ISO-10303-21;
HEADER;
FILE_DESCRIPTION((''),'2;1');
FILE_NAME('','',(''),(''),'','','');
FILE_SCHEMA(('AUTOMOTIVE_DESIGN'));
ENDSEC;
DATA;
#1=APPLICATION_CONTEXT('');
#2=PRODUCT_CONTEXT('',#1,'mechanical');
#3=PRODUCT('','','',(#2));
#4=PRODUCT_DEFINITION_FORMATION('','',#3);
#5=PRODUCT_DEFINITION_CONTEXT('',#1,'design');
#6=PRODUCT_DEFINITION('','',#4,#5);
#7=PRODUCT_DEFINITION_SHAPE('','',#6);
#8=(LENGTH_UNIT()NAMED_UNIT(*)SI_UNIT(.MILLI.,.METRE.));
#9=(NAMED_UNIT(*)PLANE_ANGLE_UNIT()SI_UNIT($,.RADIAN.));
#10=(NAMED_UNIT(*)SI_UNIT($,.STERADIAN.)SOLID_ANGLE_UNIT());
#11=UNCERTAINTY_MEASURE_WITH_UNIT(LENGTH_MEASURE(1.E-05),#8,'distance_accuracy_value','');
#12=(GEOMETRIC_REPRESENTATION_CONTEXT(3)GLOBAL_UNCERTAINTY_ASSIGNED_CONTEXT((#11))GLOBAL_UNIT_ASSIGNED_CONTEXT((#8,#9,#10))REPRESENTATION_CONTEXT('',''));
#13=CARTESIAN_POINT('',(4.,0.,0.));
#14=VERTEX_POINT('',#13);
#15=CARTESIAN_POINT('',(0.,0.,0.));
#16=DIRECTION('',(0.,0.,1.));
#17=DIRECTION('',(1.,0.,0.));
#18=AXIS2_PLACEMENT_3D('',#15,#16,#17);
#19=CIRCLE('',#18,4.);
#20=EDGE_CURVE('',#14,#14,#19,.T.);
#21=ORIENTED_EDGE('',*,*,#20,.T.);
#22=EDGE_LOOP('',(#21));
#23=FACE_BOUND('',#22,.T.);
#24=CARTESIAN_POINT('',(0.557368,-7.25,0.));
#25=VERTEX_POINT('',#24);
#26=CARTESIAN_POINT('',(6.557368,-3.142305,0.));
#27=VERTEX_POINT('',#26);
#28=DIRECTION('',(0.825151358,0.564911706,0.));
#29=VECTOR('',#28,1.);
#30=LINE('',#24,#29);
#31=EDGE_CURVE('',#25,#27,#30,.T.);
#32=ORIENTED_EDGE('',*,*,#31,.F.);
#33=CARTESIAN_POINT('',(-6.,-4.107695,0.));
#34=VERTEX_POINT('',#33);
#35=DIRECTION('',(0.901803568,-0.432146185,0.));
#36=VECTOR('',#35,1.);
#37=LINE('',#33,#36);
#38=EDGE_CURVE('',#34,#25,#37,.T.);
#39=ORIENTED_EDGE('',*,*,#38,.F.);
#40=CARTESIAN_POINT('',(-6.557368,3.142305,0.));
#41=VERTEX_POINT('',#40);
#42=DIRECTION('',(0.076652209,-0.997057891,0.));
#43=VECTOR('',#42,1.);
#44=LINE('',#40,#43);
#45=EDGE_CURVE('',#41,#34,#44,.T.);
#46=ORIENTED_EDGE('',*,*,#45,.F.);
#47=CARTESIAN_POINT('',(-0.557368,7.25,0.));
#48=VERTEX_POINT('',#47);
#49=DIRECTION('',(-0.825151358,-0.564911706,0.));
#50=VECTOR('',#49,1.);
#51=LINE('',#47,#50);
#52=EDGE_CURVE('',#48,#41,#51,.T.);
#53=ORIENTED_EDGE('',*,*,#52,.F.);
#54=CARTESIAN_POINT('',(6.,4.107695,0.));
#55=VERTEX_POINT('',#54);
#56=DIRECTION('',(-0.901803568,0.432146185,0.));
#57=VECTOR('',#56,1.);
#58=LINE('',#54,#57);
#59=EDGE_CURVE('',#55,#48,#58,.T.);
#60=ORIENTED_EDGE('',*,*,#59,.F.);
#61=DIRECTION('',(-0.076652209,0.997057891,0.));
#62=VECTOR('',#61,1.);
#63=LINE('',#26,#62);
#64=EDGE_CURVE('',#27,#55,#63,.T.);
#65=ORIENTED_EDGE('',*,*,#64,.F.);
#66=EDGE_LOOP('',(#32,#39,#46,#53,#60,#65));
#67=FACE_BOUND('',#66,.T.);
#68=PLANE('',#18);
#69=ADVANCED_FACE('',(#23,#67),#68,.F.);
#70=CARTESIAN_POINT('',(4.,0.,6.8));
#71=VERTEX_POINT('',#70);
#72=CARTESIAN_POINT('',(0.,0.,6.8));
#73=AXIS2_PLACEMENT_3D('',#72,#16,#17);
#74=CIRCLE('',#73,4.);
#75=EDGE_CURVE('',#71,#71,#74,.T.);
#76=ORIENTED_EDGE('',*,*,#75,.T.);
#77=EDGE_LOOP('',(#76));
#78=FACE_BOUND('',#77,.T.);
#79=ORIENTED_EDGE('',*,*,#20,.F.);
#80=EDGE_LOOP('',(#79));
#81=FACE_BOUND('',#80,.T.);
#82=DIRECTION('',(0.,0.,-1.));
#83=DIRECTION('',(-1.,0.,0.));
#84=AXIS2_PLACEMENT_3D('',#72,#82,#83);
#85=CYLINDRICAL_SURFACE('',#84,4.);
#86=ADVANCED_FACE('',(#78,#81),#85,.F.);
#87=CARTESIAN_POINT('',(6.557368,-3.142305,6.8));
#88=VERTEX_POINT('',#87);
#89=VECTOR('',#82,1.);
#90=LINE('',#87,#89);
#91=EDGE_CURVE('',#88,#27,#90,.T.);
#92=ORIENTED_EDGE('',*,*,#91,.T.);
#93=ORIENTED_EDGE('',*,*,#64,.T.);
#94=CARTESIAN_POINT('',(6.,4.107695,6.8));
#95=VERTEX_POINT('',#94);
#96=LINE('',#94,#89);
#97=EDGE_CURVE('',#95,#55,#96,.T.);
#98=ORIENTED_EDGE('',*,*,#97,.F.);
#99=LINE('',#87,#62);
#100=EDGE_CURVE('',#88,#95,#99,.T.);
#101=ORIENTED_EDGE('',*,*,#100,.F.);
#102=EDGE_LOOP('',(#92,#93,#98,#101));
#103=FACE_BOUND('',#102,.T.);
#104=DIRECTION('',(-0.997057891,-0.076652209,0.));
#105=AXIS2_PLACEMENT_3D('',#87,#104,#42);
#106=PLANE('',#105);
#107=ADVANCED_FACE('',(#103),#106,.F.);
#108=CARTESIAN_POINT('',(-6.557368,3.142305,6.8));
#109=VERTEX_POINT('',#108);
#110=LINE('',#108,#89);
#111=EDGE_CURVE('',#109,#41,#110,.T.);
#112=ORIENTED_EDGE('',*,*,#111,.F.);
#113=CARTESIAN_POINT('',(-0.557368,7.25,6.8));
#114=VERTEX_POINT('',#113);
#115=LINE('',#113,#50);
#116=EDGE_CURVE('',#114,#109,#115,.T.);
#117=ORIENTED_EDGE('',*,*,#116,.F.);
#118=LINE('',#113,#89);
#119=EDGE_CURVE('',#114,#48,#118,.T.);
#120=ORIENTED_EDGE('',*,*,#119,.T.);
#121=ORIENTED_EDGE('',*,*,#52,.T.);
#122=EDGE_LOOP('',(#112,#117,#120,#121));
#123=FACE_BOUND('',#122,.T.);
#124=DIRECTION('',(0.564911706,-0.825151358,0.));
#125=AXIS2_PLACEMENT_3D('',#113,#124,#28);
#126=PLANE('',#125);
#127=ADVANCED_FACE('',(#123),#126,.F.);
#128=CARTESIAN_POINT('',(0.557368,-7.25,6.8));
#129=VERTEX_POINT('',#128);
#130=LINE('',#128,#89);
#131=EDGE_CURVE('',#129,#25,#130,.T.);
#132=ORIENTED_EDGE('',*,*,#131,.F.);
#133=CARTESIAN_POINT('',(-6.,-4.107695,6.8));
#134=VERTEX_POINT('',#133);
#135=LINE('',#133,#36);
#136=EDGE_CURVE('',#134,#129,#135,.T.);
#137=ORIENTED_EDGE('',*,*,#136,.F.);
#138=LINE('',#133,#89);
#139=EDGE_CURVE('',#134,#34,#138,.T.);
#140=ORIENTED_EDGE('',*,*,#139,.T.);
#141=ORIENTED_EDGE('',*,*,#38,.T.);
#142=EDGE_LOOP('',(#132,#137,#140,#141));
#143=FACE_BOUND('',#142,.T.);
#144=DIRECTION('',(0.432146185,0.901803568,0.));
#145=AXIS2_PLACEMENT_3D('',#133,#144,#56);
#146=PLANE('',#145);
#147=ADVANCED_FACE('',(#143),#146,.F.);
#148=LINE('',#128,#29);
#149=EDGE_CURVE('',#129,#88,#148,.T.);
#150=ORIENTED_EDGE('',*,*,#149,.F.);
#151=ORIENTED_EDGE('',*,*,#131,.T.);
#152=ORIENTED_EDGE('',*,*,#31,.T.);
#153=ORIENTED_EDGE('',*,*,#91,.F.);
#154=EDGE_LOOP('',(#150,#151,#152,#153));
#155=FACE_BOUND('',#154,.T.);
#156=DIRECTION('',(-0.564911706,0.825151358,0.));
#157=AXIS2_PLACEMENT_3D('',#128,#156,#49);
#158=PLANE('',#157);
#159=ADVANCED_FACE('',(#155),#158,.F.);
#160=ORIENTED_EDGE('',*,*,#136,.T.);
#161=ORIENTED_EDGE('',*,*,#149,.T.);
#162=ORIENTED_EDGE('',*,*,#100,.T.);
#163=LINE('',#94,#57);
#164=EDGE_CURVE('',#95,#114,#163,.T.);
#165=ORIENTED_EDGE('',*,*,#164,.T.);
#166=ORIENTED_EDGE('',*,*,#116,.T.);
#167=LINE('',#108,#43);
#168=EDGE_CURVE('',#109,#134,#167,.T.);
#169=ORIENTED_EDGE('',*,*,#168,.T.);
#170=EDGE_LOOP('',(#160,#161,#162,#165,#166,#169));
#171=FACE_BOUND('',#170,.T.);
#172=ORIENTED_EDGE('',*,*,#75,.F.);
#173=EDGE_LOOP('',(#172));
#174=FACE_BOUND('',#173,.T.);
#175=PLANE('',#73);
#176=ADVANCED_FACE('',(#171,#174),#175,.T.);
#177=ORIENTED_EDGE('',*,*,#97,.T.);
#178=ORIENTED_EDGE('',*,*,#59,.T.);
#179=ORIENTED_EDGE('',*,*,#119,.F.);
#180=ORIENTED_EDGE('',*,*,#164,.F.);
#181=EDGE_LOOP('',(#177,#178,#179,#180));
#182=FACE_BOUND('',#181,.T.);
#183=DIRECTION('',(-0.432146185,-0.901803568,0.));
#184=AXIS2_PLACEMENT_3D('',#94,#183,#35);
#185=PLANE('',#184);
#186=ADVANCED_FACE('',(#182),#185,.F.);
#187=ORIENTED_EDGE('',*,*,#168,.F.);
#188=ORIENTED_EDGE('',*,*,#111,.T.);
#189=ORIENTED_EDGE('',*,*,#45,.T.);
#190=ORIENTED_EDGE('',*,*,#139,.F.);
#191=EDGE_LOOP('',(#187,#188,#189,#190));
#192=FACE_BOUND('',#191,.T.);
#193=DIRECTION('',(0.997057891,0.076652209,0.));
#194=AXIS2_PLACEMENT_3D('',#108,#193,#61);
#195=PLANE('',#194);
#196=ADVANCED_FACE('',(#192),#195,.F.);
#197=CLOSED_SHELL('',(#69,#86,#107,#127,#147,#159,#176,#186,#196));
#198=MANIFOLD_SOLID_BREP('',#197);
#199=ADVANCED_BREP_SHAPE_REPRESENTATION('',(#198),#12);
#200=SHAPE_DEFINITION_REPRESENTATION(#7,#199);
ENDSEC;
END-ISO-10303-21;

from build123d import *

# Parameters (mm, degrees)
SKETCH1_R           = 4
BOSS_EXTRUDE1_DEPTH = 6.8


with BuildPart() as part:
    # Sketch1 → Boss-Extrude1 (new body)
    with BuildSketch(Plane.XY):
        Polygon((-0.557368355, 7.25), (-6.557368355, 3.142304845), (-6, -4.107695155), (0.557368355, -7.25), (6.557368355, -3.142304845), (6, 4.107695155), align=None)
        Circle(SKETCH1_R, mode=Mode.SUBTRACT)
    extrude(amount=BOSS_EXTRUDE1_DEPTH)


solid = part.part
